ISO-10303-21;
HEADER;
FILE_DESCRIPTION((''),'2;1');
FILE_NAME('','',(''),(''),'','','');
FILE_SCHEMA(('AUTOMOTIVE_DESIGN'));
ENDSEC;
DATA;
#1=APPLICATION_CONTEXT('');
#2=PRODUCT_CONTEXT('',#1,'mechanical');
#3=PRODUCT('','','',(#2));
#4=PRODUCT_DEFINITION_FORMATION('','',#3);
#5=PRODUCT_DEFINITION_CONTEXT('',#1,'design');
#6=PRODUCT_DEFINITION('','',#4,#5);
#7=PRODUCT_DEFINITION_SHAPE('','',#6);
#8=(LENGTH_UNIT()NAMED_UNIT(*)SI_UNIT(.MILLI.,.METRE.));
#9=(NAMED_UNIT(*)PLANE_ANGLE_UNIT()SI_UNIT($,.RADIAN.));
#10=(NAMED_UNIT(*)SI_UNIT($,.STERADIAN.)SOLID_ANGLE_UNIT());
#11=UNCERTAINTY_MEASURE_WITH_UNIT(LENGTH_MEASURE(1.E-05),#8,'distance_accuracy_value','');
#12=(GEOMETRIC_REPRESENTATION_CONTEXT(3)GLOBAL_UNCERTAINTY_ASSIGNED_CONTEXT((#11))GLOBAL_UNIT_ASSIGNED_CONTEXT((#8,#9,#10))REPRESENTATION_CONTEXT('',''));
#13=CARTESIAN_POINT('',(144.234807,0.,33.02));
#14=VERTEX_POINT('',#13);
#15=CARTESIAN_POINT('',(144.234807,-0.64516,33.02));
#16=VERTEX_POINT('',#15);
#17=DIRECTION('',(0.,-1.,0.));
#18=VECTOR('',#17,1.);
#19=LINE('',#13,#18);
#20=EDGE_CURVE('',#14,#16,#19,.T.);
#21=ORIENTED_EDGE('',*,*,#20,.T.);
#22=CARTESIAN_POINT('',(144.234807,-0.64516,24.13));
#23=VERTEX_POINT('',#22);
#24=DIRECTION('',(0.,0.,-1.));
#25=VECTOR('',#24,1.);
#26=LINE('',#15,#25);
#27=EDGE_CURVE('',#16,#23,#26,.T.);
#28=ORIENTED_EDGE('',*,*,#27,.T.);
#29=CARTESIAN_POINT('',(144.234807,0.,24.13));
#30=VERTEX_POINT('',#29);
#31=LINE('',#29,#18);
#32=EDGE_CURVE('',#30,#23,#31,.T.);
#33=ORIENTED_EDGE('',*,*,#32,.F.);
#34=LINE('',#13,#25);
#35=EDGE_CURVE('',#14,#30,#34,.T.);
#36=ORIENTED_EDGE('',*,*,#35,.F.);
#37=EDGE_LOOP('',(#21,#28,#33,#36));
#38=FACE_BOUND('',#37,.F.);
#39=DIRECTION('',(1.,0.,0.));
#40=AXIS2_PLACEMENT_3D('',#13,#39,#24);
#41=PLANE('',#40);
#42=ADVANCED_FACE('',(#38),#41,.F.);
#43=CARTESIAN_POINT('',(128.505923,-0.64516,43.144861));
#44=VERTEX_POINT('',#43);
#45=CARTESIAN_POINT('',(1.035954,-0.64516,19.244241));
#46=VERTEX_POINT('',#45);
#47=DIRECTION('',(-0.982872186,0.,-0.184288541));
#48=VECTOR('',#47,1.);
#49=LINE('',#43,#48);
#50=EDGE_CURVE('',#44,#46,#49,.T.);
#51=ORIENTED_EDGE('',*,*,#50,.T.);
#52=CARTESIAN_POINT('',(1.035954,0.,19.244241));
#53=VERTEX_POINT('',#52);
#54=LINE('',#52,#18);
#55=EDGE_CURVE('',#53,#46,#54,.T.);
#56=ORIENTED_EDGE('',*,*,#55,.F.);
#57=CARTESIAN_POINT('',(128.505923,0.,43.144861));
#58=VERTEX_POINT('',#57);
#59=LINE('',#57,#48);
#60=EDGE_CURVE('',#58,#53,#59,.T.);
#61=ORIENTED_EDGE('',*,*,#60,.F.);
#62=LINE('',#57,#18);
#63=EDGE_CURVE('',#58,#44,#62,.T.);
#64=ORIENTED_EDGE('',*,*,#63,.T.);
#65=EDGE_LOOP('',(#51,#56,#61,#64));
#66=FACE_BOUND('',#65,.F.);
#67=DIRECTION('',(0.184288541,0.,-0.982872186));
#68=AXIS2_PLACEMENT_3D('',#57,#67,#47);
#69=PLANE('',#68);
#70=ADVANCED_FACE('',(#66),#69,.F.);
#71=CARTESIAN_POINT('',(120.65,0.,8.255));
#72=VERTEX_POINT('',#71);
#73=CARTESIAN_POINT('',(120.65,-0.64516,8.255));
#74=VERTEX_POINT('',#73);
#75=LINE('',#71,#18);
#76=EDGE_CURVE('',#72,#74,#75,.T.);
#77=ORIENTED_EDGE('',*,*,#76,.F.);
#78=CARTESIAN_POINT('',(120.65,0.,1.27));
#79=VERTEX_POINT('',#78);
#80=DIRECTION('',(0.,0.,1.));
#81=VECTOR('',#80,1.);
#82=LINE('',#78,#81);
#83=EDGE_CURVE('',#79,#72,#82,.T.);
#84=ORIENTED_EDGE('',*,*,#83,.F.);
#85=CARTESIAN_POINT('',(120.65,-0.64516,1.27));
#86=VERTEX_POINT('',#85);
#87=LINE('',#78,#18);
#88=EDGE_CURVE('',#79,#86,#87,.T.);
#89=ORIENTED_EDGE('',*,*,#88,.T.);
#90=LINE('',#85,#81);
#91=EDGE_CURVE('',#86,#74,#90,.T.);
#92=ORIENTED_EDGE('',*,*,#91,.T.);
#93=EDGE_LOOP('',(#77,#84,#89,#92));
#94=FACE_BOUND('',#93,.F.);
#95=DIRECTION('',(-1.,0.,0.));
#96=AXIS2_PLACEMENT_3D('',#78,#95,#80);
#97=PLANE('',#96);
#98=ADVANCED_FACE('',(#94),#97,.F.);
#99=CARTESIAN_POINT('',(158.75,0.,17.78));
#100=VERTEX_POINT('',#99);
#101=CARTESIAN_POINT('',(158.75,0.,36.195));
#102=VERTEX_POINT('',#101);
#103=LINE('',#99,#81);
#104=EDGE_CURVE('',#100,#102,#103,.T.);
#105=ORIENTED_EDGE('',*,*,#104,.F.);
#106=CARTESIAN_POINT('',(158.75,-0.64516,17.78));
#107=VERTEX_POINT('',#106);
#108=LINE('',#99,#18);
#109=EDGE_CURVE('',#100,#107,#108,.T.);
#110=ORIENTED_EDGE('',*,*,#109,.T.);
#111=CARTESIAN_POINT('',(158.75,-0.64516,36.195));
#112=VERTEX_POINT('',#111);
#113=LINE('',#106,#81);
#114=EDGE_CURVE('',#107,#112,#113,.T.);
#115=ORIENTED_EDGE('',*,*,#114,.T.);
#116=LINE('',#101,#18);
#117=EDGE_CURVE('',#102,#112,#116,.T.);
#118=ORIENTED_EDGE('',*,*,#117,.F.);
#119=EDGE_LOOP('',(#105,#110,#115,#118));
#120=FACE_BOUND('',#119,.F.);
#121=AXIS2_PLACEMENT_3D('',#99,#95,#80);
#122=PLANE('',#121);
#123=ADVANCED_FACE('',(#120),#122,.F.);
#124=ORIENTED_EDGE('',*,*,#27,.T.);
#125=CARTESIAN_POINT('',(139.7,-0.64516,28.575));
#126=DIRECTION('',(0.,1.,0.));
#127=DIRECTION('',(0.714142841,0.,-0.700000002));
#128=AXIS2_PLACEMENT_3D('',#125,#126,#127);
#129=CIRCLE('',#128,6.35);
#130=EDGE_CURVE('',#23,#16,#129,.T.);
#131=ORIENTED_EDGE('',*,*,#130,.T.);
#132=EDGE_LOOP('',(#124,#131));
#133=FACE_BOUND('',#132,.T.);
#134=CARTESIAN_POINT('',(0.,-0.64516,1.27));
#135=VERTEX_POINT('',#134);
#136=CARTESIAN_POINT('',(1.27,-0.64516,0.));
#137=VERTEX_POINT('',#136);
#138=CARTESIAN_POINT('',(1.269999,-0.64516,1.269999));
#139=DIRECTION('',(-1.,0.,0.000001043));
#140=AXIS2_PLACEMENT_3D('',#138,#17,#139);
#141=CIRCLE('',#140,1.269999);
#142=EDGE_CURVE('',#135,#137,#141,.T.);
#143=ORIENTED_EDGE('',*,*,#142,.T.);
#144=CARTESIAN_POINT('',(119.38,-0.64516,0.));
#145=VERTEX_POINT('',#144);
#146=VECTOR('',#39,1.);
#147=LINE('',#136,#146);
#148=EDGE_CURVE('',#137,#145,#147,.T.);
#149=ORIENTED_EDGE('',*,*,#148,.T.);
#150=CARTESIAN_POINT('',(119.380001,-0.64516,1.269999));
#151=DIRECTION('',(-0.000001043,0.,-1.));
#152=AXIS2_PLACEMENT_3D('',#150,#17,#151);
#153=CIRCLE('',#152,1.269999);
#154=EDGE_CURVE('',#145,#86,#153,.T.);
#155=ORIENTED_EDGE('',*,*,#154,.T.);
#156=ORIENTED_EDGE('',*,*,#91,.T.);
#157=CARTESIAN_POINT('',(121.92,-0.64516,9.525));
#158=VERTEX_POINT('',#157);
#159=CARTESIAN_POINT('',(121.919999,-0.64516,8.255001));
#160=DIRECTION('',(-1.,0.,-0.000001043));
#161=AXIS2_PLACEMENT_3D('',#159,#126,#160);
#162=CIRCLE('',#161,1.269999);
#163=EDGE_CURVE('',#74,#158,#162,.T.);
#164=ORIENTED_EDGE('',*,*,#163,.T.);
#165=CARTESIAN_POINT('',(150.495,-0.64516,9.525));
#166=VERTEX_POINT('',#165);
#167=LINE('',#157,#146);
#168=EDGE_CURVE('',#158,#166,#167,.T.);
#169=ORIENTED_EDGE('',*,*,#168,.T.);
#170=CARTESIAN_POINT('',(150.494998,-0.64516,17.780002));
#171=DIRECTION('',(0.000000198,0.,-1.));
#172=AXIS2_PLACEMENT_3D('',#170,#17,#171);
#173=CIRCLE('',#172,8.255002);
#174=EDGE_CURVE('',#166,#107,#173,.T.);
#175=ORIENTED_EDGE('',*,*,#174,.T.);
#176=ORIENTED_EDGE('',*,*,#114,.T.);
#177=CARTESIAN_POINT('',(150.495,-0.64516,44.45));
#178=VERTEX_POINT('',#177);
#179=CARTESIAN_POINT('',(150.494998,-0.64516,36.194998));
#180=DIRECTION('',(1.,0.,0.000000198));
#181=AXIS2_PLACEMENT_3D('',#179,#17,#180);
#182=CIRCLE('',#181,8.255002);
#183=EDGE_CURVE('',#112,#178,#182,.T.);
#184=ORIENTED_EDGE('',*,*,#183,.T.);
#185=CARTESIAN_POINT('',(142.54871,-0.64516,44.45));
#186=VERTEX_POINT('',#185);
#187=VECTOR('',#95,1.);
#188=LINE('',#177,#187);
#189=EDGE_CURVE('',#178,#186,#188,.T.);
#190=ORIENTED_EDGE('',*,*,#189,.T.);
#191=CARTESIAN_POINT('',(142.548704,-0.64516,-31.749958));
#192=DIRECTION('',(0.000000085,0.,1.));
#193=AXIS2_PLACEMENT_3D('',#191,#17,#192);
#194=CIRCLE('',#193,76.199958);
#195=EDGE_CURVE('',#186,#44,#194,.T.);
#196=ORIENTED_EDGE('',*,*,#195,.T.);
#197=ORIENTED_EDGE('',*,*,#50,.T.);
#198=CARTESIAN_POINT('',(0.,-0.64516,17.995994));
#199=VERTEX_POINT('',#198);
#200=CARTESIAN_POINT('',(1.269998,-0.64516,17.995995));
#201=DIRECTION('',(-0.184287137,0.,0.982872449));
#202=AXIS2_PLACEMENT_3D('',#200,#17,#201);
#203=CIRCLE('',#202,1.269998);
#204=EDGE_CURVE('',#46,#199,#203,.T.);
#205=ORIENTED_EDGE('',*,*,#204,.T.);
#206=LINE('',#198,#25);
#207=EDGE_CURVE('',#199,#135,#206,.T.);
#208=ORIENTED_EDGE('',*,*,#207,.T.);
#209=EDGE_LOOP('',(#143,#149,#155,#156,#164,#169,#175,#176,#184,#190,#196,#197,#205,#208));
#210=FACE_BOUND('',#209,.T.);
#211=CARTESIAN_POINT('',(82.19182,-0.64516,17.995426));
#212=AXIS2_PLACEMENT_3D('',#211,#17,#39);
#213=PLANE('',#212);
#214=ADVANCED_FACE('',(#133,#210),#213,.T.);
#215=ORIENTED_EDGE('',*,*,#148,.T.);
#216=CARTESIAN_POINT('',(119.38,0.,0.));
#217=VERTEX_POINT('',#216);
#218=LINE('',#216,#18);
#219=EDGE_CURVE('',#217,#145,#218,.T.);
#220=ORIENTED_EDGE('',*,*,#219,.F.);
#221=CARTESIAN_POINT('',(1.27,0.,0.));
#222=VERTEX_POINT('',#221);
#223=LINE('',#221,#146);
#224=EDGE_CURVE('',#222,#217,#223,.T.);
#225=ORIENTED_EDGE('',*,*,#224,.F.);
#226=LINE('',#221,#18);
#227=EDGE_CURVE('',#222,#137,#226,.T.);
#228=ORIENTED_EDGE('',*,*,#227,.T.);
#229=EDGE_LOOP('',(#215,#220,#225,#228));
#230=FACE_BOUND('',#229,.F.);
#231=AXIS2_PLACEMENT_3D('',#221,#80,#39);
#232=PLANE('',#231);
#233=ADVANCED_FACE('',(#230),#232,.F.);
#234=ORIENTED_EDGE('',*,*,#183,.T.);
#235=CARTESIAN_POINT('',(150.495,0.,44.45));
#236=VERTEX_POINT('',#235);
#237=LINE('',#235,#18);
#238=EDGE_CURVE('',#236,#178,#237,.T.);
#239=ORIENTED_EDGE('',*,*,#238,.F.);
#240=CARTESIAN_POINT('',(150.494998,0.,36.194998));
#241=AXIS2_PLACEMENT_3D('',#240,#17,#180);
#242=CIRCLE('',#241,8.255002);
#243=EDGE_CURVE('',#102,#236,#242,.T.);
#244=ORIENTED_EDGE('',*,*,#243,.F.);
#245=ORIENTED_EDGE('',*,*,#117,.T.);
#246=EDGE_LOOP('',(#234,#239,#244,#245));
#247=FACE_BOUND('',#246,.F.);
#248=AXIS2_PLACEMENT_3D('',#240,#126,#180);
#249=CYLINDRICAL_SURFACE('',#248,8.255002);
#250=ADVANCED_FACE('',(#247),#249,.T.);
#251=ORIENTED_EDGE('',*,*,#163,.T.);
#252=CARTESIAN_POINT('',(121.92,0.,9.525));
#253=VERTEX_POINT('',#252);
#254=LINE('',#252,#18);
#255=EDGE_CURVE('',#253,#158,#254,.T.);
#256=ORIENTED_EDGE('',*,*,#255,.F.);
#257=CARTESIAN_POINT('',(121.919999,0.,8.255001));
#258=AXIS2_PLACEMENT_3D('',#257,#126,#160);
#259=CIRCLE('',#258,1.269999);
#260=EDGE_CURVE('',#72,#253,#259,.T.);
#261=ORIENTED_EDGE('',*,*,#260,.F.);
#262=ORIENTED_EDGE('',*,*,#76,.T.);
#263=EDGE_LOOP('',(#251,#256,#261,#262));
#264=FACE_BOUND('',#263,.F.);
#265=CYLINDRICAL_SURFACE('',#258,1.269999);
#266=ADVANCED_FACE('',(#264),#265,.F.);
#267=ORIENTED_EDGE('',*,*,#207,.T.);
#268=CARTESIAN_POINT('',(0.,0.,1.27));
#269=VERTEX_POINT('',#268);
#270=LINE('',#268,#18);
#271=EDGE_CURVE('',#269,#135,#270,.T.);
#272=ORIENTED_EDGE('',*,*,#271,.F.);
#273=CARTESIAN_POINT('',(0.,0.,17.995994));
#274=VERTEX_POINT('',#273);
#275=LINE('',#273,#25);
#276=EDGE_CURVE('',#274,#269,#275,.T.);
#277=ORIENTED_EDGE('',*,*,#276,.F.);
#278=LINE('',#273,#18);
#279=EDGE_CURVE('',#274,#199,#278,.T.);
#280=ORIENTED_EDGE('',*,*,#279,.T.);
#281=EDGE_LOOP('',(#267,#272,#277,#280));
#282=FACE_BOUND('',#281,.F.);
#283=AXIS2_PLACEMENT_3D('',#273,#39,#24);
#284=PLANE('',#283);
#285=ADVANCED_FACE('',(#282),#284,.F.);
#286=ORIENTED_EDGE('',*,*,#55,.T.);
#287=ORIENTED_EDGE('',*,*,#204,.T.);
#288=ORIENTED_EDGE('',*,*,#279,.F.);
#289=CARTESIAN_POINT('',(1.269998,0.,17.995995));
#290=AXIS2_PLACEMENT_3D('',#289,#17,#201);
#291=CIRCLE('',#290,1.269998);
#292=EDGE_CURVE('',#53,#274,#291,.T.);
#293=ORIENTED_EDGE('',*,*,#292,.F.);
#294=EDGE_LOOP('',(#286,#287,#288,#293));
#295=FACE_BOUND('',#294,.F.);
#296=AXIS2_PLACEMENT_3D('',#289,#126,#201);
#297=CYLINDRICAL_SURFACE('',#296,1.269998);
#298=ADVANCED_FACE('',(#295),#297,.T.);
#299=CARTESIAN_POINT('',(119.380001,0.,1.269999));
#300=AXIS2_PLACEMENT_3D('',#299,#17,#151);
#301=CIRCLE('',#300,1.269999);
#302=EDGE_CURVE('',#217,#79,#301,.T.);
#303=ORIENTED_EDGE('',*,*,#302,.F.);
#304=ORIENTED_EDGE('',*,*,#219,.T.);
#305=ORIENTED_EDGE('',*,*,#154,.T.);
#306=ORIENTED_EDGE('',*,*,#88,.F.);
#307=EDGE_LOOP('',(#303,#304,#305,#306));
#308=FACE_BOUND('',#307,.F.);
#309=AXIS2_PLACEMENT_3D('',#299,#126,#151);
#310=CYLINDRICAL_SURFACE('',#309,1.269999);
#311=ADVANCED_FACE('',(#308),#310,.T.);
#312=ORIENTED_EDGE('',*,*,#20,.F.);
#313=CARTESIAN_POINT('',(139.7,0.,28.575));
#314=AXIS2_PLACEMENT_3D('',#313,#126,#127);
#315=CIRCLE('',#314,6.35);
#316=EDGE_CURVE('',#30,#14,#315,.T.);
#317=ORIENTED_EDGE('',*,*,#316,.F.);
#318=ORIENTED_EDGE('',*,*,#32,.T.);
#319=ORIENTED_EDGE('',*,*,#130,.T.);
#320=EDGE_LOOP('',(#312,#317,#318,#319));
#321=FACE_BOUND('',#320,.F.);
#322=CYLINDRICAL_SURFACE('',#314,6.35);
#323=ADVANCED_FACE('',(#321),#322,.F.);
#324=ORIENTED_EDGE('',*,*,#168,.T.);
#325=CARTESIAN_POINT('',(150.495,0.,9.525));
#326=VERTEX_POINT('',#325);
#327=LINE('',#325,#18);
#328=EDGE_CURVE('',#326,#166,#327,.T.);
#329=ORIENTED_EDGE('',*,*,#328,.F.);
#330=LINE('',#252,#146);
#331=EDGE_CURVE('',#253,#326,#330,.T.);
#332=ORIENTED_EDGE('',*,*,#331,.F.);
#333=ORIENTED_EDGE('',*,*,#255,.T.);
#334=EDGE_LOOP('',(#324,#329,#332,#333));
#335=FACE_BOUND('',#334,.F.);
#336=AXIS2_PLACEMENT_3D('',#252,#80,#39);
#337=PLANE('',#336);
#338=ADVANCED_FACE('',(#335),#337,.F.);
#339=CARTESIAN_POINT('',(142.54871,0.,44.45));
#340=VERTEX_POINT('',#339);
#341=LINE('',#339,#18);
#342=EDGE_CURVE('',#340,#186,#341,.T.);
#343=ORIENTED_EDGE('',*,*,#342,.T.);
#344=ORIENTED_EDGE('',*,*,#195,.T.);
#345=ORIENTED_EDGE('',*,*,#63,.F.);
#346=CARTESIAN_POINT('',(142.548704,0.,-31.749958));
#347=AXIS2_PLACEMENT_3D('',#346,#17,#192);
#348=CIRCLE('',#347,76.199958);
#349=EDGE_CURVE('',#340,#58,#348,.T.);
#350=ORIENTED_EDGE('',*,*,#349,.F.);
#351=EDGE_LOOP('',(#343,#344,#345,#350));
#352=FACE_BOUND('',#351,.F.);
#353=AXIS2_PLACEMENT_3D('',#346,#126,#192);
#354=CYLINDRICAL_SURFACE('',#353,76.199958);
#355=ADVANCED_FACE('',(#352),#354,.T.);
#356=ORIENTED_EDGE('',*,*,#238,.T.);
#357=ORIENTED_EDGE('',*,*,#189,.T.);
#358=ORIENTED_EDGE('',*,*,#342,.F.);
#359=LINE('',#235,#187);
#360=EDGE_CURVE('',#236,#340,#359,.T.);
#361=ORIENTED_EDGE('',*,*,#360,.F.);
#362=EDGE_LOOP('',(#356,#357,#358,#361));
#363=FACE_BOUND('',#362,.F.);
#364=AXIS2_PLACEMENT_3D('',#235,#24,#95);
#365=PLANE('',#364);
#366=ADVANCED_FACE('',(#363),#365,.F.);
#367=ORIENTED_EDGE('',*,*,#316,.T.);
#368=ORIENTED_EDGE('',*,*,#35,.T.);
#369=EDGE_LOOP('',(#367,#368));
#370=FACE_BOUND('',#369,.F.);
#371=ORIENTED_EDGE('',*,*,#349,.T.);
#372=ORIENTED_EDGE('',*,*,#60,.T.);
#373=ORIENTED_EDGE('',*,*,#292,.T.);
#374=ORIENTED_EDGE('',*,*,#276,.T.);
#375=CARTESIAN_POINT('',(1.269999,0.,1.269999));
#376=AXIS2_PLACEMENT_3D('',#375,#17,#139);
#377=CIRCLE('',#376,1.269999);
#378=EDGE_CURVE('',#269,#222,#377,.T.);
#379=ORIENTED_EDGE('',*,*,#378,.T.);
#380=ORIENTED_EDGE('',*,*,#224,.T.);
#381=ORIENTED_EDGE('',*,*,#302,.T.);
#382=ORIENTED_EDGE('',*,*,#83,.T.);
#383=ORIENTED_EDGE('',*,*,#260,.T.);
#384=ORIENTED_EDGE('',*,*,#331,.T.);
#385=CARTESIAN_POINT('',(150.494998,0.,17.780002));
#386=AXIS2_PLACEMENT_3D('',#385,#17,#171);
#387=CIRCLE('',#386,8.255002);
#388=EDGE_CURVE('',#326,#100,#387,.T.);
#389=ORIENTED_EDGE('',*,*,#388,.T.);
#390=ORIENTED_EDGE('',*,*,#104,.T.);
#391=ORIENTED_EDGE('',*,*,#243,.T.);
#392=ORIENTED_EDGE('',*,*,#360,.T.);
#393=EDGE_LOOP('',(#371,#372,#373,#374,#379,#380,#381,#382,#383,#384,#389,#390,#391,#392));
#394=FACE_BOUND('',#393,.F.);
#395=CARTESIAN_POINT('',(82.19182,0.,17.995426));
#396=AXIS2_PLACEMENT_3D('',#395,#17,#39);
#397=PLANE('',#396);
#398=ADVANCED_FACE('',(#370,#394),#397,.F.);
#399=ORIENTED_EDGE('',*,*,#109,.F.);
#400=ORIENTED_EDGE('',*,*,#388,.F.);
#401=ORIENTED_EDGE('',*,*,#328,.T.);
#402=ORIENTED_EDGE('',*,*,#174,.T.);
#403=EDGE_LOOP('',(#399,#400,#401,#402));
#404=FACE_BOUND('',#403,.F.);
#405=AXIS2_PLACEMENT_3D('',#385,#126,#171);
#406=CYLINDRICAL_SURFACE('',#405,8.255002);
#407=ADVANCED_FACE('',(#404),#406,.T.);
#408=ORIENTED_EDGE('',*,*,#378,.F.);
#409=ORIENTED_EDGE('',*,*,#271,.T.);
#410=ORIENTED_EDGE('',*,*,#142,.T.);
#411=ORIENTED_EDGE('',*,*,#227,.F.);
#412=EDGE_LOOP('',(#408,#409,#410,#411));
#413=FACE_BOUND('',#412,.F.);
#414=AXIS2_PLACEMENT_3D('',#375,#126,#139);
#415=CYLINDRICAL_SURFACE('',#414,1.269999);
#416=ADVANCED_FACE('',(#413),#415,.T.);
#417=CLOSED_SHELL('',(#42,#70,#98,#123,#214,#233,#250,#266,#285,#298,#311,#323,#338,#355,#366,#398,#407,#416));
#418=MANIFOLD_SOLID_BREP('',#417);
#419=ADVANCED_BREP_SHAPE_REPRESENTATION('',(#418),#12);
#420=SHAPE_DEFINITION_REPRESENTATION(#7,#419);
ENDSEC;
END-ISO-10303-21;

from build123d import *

# Parameters (mm, degrees)
F1_DEPTH = 0.64516


with BuildPart() as f1:
    # F0 (on Front) → F1 (new body)
    with BuildSketch(Plane.XZ):
        with BuildLine():
            ThreePointArc((0, 1.27), (0.371974, 0.371974), (1.27, 0))
            Line((1.27, 0), (119.38, 0))
            ThreePointArc((119.38, 0), (120.278026, 0.371974), (120.65, 1.27))
            Line((120.65, 1.27), (120.65, 8.255))
            ThreePointArc((120.65, 8.255), (121.021974, 9.153026), (121.92, 9.525))
            Line((121.92, 9.525), (150.495, 9.525))
            ThreePointArc((150.495, 9.525), (156.332166, 11.942834), (158.75, 17.78))
            Line((158.75, 17.78), (158.75, 36.195))
            ThreePointArc((158.75, 36.195), (156.332166, 42.032166), (150.495, 44.45))
            Line((150.495, 44.45), (142.54871, 44.45))
            ThreePointArc((142.54871, 44.45), (135.497057, 44.123014), (128.505923, 43.144861))
            Line((128.505923, 43.144861), (1.035954, 19.244241))
            ThreePointArc((1.035954, 19.244241), (0.292723, 18.807061), (0, 17.995994))
            Line((0, 17.995994), (0, 1.27))
        make_face()
        with BuildLine():
            ThreePointArc((144.234807, 24.13), (133.35, 28.575), (144.234807, 33.02))
            Line((144.234807, 33.02), (144.234807, 24.13))
        make_face(mode=Mode.SUBTRACT)
    extrude(amount=F1_DEPTH)


solid = f1.part
